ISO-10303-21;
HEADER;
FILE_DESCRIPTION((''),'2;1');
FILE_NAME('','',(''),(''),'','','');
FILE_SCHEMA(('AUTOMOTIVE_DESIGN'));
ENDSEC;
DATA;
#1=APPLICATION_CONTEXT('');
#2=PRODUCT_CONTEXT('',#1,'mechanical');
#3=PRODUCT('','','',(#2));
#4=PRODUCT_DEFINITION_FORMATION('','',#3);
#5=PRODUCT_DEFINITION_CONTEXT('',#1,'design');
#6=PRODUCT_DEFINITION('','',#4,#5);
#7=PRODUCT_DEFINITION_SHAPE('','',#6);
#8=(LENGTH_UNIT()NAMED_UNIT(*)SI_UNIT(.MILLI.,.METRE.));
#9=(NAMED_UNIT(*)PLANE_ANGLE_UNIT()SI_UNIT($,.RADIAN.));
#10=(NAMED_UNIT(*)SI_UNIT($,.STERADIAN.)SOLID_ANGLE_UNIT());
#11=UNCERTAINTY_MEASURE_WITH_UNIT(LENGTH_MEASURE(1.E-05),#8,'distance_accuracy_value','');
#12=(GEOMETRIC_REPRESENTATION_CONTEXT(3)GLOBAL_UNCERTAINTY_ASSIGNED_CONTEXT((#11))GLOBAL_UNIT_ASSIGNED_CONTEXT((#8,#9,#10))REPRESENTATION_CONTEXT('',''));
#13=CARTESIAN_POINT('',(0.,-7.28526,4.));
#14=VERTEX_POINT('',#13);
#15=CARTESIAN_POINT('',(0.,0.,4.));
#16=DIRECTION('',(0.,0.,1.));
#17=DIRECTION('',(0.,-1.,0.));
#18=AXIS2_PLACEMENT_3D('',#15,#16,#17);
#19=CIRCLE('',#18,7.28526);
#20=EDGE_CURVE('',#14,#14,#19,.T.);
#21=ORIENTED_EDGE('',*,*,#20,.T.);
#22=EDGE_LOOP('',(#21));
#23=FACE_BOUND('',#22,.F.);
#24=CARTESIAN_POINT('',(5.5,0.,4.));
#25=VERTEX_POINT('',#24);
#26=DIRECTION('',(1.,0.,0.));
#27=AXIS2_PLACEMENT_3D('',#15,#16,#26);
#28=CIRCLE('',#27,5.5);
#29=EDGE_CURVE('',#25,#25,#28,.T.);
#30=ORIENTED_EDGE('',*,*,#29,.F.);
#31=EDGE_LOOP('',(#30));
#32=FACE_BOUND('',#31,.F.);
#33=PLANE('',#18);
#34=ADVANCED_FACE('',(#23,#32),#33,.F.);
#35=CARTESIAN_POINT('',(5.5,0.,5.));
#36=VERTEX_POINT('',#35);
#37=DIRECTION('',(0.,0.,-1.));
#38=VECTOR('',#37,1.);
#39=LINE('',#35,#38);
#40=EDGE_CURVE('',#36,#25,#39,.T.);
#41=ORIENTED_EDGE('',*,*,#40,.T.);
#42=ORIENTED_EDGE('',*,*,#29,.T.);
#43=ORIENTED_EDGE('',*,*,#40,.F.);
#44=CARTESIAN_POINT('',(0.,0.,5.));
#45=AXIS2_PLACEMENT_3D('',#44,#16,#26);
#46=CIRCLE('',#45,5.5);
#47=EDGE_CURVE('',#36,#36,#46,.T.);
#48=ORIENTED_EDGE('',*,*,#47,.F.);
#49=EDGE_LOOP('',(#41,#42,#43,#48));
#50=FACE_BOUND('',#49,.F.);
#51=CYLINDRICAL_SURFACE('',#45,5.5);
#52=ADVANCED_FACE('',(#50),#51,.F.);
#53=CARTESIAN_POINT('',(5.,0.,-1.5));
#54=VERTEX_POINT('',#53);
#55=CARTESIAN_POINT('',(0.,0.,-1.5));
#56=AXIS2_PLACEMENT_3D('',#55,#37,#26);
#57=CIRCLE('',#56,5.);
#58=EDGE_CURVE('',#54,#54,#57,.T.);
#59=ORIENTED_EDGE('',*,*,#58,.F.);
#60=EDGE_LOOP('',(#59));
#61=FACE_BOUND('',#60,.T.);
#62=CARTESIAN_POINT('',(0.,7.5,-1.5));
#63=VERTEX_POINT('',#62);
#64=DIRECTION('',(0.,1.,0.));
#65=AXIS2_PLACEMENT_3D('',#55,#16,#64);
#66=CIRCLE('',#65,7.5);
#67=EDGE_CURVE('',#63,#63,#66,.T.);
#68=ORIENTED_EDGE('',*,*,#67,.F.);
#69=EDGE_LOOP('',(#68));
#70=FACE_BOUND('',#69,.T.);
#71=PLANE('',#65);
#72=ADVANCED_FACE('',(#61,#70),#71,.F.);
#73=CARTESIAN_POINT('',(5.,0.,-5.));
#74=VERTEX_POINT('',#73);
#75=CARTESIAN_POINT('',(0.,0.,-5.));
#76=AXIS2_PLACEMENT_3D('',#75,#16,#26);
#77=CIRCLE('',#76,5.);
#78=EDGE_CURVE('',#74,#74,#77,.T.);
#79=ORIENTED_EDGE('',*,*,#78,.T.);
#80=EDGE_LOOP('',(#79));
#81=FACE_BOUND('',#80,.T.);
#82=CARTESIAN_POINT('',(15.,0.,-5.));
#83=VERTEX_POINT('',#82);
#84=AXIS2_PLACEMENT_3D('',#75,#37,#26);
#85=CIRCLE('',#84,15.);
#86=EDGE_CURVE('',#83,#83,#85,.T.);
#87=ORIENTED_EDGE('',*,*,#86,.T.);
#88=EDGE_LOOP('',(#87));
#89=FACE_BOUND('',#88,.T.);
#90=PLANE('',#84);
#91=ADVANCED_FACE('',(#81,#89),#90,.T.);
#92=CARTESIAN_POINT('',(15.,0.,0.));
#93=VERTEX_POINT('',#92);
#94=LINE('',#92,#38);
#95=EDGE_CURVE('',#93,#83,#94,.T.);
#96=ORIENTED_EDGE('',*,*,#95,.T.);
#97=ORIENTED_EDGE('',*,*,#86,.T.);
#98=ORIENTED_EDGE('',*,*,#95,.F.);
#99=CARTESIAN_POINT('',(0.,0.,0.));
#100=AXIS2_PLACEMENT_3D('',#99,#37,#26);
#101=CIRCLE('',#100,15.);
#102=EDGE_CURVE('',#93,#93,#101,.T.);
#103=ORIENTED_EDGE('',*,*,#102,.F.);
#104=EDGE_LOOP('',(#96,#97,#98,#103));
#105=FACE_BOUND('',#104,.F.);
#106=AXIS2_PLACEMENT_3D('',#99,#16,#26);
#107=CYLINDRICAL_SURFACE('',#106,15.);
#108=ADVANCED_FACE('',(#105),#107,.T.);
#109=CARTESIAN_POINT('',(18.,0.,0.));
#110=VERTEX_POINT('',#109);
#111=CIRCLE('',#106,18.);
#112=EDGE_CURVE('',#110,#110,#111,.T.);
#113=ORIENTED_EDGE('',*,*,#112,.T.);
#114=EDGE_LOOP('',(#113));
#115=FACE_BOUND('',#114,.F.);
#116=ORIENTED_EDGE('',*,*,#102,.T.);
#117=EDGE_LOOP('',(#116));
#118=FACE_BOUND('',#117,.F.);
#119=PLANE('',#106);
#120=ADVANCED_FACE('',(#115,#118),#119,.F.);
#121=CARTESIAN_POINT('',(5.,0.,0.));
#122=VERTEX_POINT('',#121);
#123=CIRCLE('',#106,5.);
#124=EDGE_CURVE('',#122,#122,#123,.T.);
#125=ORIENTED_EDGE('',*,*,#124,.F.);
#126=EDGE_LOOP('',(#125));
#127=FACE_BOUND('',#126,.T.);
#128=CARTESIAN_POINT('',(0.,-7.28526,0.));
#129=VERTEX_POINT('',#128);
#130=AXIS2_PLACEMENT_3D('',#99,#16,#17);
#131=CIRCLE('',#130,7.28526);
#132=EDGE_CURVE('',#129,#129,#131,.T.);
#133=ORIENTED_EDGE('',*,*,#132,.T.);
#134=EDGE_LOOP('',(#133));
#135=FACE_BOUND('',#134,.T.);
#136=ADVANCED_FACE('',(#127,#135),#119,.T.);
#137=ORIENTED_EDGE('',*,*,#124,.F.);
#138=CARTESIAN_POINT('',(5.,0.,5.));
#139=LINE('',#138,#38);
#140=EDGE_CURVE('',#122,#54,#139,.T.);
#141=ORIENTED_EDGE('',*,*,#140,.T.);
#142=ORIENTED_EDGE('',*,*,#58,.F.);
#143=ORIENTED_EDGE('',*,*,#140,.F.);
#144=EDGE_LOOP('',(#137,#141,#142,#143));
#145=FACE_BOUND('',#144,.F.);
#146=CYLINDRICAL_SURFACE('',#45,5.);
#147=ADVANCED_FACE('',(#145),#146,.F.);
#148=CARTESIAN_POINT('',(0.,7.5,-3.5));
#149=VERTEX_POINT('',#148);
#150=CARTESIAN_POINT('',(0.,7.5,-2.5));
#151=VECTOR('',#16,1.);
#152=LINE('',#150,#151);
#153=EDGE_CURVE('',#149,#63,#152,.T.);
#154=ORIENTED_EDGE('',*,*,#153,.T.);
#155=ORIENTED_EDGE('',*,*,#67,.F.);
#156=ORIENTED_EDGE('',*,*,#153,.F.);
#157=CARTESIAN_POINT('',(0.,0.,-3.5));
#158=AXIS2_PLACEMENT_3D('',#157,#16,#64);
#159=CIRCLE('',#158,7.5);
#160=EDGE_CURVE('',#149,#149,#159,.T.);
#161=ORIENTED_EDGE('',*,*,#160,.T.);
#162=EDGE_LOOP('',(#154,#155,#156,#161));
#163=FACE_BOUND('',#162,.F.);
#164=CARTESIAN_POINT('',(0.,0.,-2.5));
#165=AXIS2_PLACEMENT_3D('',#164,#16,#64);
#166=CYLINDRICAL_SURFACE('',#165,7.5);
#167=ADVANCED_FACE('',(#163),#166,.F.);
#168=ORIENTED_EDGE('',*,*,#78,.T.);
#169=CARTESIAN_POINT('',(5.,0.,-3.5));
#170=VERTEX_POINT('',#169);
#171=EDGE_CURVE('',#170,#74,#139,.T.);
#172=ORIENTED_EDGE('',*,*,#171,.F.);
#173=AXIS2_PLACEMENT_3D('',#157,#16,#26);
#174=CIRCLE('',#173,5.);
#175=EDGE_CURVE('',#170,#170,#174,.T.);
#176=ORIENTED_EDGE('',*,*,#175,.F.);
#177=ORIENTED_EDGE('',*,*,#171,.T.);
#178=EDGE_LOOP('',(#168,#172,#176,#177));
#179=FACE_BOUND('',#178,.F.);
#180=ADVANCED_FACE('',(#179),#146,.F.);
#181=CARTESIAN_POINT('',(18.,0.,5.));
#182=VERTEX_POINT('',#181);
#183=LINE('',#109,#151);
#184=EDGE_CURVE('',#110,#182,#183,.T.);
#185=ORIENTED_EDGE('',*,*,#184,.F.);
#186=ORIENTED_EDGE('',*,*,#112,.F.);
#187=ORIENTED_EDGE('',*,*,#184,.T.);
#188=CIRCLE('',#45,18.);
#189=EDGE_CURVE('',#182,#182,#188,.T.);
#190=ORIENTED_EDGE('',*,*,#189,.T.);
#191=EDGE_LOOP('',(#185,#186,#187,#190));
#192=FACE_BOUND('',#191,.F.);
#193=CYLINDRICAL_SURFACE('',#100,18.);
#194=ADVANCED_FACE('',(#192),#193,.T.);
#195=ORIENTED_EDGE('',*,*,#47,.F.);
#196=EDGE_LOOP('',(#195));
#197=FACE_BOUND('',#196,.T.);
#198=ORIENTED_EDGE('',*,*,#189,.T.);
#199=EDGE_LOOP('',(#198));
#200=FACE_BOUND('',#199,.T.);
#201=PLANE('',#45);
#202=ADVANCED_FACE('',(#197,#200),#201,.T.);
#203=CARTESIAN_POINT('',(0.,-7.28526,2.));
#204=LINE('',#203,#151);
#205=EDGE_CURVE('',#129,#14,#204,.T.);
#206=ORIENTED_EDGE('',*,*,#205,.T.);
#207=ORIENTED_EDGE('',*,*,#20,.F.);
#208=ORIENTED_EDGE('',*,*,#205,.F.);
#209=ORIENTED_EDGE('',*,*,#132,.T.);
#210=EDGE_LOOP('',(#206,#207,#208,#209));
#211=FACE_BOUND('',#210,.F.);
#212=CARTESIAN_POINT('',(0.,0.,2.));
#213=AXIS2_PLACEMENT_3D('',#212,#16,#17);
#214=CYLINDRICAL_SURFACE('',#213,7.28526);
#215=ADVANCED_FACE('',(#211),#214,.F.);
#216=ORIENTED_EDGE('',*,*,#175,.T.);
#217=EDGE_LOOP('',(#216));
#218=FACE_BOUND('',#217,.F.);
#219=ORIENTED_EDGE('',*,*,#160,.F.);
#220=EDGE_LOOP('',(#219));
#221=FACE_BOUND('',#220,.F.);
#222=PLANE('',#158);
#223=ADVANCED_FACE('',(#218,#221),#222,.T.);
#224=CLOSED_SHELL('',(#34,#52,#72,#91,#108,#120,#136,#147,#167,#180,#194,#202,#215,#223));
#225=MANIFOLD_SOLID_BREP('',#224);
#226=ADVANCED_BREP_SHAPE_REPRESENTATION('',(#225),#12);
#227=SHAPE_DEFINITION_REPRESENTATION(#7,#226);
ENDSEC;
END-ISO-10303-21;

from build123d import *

# Parameters (mm, degrees)
F0_R     = 18
F1_DEPTH = 5
F2_R     = 15
F3_DEPTH = 5
F4_R     = 5
F5_DEPTH = 10
F6_R     = 5.5
F7_DEPTH = 5
F8_W     = 1.785261
F8_H     = 4
F11_W    = 2.5
F11_H    = 2


with BuildPart() as f1:
    # F0 (on Top) → F1 (new body)
    with BuildSketch(Plane.XY):
        Circle(F0_R)
    extrude(amount=F1_DEPTH)

    # F2 (on face) → F3 (join)
    with BuildSketch(Plane(origin=(0, 0, 0), x_dir=(1, 0, 0), z_dir=(0, 0, -1))):
        Circle(F2_R)
    extrude(amount=F3_DEPTH)

    # F4 (on face) → F5 (cut)
    with BuildSketch(Plane.XY.offset(5)):
        Circle(F4_R)
    extrude(amount=-F5_DEPTH, mode=Mode.SUBTRACT)

    # F6 (on face) → F7 (cut)
    with BuildSketch(Plane.XY.offset(5)):
        Circle(F6_R)
    extrude(amount=-F7_DEPTH, mode=Mode.SUBTRACT)

    # F8 (on Right) → F10 (revolve, cut)
    with BuildSketch(Plane.YZ):
        with Locations((-6.39263, 2)):
            Rectangle(F8_W, F8_H)
    revolve(axis=Axis((0, 0, 2.476329), (0, 0, 1)), mode=Mode.SUBTRACT)

    # F11 (on Right) → F12 (revolve, cut)
    with BuildSketch(Plane.YZ):
        with Locations((6.25, -2.5)):
            Rectangle(F11_W, F11_H)
    revolve(axis=Axis((0, 0, 2.476329), (0, 0, 1)), mode=Mode.SUBTRACT)


solid = f1.part
